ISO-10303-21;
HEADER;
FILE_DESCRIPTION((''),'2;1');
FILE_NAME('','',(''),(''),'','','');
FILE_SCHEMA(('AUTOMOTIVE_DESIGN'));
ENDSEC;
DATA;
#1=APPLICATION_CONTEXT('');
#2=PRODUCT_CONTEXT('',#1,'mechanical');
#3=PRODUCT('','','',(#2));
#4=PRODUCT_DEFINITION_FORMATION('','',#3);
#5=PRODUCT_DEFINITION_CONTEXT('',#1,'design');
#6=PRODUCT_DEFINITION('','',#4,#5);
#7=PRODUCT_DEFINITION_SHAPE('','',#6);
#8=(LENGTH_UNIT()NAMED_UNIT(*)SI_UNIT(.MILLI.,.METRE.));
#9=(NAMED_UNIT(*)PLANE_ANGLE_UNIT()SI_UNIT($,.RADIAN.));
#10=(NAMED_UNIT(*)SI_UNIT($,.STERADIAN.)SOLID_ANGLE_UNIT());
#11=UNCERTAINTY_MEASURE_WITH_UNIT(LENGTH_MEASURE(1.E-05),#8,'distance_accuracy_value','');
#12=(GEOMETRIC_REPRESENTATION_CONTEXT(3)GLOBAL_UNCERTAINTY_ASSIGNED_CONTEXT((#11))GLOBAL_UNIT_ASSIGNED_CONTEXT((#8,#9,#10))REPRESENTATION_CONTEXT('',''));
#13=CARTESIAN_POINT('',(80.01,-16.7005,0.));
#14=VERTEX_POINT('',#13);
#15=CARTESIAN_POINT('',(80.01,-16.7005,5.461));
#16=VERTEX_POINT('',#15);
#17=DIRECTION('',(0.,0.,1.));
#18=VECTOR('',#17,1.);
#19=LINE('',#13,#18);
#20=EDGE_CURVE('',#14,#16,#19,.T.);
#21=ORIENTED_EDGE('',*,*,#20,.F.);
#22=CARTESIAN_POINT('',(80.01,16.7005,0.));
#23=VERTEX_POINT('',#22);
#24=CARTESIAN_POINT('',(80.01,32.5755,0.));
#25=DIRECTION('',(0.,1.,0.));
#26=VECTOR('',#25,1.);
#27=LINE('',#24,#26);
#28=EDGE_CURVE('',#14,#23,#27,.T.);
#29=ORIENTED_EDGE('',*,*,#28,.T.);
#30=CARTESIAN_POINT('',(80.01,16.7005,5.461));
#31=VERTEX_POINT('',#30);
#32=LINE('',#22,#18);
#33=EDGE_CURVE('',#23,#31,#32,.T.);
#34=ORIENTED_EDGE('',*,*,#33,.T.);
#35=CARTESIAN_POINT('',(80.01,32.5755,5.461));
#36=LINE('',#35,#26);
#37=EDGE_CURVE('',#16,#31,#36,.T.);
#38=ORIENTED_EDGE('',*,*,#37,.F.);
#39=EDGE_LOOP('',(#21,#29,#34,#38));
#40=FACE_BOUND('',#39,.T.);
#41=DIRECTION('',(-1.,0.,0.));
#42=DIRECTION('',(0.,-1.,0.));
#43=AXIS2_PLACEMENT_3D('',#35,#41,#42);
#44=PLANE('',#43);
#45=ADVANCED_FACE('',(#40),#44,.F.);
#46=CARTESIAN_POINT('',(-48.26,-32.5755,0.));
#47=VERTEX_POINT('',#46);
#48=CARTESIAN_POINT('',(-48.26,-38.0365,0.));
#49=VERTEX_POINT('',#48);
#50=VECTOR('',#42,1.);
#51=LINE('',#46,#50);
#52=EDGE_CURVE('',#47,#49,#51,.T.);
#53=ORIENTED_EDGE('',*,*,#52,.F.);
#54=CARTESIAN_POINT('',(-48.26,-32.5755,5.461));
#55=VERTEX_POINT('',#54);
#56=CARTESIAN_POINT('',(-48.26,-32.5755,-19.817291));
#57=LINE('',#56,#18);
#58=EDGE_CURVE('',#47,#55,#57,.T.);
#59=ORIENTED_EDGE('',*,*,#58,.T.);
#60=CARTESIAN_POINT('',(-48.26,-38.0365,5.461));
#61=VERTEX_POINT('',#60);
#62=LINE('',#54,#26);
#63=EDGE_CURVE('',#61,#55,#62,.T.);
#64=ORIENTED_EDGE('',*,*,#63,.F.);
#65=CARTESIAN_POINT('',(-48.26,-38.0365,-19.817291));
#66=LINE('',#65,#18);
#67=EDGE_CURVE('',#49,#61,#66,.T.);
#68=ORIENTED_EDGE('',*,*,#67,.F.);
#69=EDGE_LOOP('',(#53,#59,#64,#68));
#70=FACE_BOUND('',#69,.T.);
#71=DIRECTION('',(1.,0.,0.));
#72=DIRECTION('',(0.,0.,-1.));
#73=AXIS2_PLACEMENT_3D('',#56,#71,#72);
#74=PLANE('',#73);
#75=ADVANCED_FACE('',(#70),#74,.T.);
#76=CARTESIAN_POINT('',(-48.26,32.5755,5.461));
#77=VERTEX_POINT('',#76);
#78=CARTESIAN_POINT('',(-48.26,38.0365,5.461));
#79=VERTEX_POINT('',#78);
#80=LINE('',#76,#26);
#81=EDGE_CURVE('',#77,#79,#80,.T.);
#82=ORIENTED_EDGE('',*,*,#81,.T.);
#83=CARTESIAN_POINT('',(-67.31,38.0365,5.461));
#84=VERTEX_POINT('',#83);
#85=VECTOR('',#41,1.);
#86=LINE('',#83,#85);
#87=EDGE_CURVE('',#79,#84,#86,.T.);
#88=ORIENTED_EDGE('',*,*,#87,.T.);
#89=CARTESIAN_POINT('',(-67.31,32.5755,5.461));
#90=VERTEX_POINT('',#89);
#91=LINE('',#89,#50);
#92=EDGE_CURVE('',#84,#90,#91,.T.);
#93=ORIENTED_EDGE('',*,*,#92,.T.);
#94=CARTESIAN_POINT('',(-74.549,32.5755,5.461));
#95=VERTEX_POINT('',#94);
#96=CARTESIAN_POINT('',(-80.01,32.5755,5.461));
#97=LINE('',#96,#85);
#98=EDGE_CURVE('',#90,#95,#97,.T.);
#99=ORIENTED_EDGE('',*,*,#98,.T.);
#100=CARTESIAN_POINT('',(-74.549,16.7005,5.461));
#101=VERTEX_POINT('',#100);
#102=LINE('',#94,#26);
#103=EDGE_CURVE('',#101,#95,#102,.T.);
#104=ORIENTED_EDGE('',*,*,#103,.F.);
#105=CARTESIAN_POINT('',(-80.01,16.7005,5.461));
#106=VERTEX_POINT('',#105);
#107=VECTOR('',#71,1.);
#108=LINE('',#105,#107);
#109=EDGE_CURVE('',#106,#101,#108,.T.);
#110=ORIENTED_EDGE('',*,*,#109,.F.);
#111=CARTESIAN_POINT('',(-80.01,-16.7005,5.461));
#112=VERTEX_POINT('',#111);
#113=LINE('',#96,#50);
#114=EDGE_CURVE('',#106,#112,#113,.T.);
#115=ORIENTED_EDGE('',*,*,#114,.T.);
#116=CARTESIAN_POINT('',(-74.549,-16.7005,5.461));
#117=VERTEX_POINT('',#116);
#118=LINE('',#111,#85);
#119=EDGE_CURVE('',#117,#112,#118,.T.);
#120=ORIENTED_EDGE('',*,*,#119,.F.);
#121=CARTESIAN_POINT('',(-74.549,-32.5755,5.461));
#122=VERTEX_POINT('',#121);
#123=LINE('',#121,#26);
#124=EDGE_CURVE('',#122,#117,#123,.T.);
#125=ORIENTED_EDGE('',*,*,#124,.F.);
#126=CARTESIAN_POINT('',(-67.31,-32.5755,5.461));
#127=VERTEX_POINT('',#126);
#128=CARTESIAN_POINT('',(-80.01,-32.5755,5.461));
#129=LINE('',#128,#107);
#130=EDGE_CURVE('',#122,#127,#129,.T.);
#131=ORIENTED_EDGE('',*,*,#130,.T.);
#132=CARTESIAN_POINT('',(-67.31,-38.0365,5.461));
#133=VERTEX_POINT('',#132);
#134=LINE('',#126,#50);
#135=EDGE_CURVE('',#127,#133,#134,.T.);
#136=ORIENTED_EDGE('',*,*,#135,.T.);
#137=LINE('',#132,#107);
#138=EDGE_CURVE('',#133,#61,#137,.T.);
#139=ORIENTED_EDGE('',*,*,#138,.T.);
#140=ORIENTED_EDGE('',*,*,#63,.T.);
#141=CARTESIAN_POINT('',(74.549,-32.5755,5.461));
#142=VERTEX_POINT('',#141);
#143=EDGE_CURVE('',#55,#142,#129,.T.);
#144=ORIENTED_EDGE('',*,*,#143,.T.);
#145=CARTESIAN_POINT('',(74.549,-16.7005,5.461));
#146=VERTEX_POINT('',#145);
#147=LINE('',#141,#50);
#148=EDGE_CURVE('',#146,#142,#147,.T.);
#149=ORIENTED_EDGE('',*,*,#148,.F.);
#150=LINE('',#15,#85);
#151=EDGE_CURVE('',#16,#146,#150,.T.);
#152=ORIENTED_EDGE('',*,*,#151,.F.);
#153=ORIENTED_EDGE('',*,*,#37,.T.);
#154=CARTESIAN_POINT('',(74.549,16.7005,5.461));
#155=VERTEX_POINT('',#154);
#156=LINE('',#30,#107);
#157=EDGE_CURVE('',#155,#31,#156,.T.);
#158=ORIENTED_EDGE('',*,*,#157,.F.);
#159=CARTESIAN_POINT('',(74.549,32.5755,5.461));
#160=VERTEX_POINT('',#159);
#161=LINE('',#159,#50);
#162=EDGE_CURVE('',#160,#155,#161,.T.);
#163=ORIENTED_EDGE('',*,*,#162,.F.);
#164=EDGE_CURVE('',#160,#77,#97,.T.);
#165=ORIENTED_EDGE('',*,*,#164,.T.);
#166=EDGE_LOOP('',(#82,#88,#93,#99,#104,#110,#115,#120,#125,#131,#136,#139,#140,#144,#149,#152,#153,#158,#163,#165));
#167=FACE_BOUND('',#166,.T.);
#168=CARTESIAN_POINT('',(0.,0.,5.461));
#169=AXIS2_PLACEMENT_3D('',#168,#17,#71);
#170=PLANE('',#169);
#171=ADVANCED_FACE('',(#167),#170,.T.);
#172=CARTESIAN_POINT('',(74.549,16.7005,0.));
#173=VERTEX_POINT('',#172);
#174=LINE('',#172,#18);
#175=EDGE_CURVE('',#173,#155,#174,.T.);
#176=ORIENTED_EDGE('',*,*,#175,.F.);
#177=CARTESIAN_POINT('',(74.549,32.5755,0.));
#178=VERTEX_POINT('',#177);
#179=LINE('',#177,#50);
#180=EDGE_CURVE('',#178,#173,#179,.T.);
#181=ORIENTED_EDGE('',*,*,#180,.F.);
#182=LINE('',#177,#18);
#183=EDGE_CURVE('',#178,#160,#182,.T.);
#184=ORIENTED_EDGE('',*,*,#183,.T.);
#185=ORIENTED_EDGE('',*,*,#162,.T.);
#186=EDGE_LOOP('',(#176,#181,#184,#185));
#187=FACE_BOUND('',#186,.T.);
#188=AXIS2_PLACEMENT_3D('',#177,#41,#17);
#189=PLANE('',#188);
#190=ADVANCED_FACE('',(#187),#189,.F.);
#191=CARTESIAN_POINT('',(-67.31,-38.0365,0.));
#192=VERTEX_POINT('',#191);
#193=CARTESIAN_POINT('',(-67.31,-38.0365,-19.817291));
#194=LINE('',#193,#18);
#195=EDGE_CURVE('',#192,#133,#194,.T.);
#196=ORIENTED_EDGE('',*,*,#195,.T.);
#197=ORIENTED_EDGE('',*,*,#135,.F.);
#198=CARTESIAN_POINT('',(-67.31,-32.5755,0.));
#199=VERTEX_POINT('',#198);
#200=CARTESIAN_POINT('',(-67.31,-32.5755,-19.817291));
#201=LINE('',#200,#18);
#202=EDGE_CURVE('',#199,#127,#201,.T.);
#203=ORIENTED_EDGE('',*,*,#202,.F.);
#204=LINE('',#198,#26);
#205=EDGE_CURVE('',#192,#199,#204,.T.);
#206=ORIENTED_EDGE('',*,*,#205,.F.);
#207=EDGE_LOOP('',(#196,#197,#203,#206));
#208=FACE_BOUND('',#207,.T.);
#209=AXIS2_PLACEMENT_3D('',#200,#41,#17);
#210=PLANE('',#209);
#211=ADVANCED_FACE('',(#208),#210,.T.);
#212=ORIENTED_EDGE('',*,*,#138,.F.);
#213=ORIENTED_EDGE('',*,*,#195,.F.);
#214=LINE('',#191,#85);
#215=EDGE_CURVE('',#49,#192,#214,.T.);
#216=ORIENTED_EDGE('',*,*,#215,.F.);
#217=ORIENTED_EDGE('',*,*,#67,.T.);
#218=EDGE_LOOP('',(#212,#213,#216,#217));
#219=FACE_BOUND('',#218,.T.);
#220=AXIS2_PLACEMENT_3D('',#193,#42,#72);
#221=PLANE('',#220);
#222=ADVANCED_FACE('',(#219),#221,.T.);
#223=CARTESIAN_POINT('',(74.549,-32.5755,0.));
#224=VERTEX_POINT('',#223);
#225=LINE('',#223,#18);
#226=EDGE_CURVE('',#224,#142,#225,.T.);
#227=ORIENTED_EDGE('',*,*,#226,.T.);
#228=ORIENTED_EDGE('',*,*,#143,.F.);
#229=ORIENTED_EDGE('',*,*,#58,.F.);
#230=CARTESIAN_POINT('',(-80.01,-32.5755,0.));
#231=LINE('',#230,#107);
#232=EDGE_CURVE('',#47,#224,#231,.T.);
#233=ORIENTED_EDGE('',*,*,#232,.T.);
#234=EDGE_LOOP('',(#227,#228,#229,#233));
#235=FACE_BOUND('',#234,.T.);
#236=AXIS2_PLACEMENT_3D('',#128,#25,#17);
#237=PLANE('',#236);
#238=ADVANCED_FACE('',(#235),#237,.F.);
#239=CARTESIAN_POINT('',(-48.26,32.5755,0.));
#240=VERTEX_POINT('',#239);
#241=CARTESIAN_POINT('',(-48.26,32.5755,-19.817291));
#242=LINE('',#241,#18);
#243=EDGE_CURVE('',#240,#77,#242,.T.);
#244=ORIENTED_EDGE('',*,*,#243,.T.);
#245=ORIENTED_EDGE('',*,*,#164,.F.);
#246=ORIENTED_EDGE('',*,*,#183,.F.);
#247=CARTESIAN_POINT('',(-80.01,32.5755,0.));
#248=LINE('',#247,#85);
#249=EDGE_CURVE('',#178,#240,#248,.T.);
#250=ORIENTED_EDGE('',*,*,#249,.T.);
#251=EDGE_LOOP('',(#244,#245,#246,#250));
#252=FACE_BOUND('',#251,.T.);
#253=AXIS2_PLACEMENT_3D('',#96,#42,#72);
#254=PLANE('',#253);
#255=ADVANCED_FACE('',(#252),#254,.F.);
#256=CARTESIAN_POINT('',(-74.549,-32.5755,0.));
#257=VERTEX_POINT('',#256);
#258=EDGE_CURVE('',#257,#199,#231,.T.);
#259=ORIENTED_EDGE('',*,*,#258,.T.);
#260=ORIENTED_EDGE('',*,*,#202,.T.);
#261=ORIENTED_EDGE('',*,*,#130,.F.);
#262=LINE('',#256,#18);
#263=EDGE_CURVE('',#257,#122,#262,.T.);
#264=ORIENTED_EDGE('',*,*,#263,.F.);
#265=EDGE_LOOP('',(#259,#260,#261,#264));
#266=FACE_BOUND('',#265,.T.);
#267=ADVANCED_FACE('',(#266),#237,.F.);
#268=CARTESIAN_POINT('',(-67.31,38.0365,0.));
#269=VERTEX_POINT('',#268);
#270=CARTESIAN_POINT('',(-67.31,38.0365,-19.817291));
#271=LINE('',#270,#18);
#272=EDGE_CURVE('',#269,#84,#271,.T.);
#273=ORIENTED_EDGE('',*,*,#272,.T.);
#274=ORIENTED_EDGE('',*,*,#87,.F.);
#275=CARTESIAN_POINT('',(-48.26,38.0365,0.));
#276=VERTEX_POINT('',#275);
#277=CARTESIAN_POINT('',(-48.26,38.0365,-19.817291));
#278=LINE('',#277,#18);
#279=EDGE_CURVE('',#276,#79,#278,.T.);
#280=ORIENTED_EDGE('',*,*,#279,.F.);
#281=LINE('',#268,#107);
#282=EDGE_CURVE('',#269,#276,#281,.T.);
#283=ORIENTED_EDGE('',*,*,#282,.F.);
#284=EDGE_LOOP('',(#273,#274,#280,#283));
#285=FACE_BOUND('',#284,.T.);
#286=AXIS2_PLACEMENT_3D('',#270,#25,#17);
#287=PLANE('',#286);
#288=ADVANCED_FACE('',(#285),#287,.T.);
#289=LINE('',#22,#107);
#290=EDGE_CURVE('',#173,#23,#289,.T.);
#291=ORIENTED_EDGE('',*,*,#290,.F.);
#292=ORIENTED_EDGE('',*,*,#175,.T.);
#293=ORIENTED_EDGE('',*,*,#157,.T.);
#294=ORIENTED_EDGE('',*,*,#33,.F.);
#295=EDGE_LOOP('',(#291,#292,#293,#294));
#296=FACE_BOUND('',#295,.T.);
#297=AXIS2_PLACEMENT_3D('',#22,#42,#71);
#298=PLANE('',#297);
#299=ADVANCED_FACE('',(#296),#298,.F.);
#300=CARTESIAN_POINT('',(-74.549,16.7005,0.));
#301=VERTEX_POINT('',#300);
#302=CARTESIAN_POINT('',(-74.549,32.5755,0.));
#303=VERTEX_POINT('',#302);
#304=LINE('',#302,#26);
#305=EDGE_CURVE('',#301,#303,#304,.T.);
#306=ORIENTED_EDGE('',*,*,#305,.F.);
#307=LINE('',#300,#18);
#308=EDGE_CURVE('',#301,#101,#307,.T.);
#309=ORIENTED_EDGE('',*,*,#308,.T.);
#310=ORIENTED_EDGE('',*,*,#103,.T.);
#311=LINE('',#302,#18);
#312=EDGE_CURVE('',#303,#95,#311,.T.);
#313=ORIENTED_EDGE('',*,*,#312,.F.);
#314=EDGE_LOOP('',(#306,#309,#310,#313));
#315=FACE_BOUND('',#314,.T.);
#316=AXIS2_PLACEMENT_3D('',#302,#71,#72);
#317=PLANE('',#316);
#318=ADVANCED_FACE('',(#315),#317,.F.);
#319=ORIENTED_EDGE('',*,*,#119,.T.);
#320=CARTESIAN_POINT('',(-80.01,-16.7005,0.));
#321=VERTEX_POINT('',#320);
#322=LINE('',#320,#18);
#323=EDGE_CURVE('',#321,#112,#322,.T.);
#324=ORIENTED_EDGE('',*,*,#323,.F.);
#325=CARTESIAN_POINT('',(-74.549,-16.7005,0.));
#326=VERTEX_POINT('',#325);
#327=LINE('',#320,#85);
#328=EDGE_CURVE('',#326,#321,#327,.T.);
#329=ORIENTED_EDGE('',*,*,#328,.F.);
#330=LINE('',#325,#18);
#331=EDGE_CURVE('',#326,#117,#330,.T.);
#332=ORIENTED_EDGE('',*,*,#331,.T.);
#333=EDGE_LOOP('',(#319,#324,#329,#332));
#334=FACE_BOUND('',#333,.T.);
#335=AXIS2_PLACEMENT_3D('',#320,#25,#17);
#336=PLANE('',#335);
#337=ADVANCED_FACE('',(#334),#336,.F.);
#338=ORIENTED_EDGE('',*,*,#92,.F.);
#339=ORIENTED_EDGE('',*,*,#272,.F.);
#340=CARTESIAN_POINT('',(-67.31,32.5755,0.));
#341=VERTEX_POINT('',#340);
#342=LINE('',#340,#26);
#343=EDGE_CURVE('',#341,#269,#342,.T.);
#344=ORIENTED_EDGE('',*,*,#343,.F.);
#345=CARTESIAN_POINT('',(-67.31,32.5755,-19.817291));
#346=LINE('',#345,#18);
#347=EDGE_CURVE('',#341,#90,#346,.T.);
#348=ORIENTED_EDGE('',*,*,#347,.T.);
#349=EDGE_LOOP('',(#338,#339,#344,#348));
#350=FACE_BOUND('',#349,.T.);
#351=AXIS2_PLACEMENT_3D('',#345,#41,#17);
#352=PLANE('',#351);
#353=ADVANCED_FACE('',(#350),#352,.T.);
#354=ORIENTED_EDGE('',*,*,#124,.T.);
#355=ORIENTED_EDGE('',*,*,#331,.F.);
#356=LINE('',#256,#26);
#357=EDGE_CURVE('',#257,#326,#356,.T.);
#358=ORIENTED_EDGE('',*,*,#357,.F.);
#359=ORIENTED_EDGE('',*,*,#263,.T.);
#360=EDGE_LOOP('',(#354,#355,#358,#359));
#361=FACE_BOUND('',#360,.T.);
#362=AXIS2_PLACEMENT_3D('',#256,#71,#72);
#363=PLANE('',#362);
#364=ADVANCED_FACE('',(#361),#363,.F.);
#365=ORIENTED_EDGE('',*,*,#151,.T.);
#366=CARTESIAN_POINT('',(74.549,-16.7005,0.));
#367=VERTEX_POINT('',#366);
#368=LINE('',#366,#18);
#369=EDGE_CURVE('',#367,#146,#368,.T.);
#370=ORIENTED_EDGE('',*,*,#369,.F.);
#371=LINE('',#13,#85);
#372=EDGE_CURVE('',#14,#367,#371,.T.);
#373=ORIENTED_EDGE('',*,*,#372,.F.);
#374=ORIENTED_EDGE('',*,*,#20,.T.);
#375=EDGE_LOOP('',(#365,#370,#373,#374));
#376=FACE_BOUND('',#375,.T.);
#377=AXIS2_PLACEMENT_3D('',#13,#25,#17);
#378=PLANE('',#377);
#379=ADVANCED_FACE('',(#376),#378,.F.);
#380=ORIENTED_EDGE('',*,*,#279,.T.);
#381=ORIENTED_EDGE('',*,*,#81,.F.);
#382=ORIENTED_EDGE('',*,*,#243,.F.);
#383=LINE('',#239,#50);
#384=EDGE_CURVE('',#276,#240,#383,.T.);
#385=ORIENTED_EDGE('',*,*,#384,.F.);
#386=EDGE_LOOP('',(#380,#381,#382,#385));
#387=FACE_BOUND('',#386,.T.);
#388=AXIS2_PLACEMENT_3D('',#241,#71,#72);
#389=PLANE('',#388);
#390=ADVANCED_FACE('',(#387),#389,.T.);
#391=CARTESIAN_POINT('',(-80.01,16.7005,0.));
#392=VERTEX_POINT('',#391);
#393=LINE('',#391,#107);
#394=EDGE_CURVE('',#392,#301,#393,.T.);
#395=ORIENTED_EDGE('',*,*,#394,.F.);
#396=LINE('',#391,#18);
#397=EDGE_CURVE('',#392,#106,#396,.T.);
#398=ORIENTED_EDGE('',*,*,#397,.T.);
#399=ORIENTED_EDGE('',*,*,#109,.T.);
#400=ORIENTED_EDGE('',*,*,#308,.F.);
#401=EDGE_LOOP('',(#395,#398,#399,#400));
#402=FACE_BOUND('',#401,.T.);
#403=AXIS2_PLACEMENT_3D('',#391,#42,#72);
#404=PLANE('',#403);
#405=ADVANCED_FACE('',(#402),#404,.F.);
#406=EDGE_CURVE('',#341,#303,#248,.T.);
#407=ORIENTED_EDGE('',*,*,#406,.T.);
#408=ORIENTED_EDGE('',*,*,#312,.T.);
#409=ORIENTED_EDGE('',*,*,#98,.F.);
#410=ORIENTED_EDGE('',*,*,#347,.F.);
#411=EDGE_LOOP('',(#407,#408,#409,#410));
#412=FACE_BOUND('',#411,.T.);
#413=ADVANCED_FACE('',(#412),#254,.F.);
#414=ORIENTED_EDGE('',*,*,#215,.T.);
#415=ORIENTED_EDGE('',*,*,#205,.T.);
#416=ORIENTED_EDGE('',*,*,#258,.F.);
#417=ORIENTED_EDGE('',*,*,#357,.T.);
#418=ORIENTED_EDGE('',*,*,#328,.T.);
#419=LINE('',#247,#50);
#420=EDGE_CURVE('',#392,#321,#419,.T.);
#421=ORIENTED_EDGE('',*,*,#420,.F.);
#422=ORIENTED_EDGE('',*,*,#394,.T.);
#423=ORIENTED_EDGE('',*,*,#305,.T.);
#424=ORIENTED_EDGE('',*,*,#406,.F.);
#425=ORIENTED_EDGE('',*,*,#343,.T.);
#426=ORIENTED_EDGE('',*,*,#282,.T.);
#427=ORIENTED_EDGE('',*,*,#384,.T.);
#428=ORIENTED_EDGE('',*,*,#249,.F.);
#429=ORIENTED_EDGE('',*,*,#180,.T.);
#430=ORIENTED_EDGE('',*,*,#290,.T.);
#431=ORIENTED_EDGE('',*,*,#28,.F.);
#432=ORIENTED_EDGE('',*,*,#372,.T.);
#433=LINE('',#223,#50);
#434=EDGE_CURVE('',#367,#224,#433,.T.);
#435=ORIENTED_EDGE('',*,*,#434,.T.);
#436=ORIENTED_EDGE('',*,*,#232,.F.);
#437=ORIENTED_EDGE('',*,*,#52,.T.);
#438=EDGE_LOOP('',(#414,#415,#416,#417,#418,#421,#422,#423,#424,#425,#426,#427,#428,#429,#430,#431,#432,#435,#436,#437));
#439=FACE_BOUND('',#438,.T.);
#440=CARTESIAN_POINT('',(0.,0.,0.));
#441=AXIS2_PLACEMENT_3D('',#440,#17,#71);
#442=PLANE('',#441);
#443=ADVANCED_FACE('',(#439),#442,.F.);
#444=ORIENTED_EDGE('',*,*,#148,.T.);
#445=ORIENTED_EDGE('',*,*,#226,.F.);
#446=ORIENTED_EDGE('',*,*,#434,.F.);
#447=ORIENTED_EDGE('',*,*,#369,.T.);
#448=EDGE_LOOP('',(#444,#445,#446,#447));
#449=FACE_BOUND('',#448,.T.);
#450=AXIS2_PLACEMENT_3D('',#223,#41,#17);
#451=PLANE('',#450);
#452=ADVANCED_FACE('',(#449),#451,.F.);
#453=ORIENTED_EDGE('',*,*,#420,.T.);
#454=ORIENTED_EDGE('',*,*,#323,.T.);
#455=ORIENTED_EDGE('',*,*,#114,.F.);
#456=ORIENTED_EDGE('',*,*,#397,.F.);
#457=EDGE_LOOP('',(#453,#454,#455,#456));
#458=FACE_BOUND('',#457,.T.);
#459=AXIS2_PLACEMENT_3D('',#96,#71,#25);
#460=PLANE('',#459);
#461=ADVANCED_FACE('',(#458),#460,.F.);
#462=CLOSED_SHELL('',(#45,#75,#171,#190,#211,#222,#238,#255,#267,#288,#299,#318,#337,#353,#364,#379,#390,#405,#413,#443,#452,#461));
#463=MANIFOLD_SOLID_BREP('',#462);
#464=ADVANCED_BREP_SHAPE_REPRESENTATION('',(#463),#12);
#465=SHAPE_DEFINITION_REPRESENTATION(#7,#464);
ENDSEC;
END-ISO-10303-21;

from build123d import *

# Parameters (mm, degrees)
SKETCH1_W           = 160.02
SKETCH1_H           = 65.151
BOSS_EXTRUDE1_DEPTH = 5.461
SKETCH2_W           = 5.461
SKETCH2_H           = 15.875
CUT_EXTRUDE1_DEPTH  = 6.461
SKETCH4_W           = 19.05
SKETCH4_H           = 5.461
BOSS_EXTRUDE3_DEPTH = 5.461


with BuildPart() as part:
    # Sketch1 → Boss-Extrude1 (new body)
    with BuildSketch(Plane.XY):
        Rectangle(SKETCH1_W, SKETCH1_H)
    extrude(amount=BOSS_EXTRUDE1_DEPTH)

    # Sketch2 → Cut-Extrude1 (cut, through all)
    with BuildSketch(Plane.XY.offset(5.461)):
        with Locations((-77.2795, 24.638)):
            Rectangle(SKETCH2_W, SKETCH2_H)
        with Locations((-77.2795, -24.638)):
            Rectangle(SKETCH2_W, SKETCH2_H)
        with Locations((77.2795, 24.638)):
            Rectangle(SKETCH2_W, SKETCH2_H)
        with Locations((77.2795, -24.638)):
            Rectangle(SKETCH2_W, SKETCH2_H)
    extrude(amount=-CUT_EXTRUDE1_DEPTH, mode=Mode.SUBTRACT)

    # Sketch4 → Boss-Extrude3 (add)
    with BuildSketch(Plane.XY.offset(5.461)):
        with Locations((-57.785, 35.306)):
            Rectangle(SKETCH4_W, SKETCH4_H)
        with Locations((-57.785, -35.306)):
            Rectangle(SKETCH4_W, SKETCH4_H)
    extrude(amount=-BOSS_EXTRUDE3_DEPTH)


solid = part.part
